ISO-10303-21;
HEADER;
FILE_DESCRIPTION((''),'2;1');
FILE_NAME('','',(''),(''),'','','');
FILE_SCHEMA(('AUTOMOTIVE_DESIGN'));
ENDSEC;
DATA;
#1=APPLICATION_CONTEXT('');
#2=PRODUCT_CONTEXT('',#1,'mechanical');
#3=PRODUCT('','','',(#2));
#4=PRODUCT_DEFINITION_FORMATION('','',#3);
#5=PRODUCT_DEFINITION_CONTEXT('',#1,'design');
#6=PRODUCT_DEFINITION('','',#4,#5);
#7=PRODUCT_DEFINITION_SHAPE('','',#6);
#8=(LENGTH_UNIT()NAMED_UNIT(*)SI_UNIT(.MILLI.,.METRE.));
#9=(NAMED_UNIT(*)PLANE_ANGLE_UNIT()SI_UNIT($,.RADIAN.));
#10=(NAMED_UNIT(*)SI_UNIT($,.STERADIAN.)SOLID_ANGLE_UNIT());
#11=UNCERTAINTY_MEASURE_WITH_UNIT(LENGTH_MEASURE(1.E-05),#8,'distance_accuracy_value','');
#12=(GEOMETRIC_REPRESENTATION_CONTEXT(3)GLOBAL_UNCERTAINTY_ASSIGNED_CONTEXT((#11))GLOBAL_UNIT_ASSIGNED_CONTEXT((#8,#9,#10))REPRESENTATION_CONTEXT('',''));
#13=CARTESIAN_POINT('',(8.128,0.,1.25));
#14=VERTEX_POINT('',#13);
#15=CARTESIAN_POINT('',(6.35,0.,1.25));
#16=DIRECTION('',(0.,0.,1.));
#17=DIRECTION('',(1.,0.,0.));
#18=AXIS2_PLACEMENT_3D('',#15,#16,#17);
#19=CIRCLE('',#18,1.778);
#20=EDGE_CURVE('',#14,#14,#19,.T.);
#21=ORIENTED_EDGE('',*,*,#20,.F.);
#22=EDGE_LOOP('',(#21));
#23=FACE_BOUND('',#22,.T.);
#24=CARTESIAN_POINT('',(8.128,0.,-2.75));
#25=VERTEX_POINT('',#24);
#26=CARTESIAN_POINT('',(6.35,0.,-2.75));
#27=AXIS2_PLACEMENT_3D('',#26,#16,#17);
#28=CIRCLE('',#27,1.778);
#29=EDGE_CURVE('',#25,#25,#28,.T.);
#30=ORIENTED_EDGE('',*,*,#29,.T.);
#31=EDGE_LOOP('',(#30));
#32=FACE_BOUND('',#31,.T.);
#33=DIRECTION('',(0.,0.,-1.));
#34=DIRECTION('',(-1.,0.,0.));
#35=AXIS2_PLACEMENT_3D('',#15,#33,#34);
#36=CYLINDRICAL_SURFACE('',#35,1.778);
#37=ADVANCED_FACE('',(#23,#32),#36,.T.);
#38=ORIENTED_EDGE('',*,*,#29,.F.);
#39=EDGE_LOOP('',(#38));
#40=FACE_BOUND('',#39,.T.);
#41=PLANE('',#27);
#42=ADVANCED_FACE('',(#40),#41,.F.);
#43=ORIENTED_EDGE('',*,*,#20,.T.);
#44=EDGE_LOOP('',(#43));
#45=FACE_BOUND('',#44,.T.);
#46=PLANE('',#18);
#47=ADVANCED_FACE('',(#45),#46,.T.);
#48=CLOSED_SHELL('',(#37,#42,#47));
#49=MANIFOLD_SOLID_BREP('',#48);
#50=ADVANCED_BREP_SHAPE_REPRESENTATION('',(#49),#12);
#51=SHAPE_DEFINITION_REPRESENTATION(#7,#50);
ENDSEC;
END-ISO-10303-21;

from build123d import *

# Parameters (mm, degrees)
SKETCH1_R           = 1.778
EXTRUDE1_DEPTH      = 1.25
EXTRUDE1_DEPTH_BACK = 2.75


with BuildPart() as part:
    # Sketch1 → Extrude1 (new body, two sides)
    with BuildSketch(Plane.XY) as extrude1_sk:
        with Locations((6.35, 0)):
            Circle(SKETCH1_R)
    extrude(amount=EXTRUDE1_DEPTH)
    extrude(extrude1_sk.sketch, amount=-EXTRUDE1_DEPTH_BACK)


solid = part.part
